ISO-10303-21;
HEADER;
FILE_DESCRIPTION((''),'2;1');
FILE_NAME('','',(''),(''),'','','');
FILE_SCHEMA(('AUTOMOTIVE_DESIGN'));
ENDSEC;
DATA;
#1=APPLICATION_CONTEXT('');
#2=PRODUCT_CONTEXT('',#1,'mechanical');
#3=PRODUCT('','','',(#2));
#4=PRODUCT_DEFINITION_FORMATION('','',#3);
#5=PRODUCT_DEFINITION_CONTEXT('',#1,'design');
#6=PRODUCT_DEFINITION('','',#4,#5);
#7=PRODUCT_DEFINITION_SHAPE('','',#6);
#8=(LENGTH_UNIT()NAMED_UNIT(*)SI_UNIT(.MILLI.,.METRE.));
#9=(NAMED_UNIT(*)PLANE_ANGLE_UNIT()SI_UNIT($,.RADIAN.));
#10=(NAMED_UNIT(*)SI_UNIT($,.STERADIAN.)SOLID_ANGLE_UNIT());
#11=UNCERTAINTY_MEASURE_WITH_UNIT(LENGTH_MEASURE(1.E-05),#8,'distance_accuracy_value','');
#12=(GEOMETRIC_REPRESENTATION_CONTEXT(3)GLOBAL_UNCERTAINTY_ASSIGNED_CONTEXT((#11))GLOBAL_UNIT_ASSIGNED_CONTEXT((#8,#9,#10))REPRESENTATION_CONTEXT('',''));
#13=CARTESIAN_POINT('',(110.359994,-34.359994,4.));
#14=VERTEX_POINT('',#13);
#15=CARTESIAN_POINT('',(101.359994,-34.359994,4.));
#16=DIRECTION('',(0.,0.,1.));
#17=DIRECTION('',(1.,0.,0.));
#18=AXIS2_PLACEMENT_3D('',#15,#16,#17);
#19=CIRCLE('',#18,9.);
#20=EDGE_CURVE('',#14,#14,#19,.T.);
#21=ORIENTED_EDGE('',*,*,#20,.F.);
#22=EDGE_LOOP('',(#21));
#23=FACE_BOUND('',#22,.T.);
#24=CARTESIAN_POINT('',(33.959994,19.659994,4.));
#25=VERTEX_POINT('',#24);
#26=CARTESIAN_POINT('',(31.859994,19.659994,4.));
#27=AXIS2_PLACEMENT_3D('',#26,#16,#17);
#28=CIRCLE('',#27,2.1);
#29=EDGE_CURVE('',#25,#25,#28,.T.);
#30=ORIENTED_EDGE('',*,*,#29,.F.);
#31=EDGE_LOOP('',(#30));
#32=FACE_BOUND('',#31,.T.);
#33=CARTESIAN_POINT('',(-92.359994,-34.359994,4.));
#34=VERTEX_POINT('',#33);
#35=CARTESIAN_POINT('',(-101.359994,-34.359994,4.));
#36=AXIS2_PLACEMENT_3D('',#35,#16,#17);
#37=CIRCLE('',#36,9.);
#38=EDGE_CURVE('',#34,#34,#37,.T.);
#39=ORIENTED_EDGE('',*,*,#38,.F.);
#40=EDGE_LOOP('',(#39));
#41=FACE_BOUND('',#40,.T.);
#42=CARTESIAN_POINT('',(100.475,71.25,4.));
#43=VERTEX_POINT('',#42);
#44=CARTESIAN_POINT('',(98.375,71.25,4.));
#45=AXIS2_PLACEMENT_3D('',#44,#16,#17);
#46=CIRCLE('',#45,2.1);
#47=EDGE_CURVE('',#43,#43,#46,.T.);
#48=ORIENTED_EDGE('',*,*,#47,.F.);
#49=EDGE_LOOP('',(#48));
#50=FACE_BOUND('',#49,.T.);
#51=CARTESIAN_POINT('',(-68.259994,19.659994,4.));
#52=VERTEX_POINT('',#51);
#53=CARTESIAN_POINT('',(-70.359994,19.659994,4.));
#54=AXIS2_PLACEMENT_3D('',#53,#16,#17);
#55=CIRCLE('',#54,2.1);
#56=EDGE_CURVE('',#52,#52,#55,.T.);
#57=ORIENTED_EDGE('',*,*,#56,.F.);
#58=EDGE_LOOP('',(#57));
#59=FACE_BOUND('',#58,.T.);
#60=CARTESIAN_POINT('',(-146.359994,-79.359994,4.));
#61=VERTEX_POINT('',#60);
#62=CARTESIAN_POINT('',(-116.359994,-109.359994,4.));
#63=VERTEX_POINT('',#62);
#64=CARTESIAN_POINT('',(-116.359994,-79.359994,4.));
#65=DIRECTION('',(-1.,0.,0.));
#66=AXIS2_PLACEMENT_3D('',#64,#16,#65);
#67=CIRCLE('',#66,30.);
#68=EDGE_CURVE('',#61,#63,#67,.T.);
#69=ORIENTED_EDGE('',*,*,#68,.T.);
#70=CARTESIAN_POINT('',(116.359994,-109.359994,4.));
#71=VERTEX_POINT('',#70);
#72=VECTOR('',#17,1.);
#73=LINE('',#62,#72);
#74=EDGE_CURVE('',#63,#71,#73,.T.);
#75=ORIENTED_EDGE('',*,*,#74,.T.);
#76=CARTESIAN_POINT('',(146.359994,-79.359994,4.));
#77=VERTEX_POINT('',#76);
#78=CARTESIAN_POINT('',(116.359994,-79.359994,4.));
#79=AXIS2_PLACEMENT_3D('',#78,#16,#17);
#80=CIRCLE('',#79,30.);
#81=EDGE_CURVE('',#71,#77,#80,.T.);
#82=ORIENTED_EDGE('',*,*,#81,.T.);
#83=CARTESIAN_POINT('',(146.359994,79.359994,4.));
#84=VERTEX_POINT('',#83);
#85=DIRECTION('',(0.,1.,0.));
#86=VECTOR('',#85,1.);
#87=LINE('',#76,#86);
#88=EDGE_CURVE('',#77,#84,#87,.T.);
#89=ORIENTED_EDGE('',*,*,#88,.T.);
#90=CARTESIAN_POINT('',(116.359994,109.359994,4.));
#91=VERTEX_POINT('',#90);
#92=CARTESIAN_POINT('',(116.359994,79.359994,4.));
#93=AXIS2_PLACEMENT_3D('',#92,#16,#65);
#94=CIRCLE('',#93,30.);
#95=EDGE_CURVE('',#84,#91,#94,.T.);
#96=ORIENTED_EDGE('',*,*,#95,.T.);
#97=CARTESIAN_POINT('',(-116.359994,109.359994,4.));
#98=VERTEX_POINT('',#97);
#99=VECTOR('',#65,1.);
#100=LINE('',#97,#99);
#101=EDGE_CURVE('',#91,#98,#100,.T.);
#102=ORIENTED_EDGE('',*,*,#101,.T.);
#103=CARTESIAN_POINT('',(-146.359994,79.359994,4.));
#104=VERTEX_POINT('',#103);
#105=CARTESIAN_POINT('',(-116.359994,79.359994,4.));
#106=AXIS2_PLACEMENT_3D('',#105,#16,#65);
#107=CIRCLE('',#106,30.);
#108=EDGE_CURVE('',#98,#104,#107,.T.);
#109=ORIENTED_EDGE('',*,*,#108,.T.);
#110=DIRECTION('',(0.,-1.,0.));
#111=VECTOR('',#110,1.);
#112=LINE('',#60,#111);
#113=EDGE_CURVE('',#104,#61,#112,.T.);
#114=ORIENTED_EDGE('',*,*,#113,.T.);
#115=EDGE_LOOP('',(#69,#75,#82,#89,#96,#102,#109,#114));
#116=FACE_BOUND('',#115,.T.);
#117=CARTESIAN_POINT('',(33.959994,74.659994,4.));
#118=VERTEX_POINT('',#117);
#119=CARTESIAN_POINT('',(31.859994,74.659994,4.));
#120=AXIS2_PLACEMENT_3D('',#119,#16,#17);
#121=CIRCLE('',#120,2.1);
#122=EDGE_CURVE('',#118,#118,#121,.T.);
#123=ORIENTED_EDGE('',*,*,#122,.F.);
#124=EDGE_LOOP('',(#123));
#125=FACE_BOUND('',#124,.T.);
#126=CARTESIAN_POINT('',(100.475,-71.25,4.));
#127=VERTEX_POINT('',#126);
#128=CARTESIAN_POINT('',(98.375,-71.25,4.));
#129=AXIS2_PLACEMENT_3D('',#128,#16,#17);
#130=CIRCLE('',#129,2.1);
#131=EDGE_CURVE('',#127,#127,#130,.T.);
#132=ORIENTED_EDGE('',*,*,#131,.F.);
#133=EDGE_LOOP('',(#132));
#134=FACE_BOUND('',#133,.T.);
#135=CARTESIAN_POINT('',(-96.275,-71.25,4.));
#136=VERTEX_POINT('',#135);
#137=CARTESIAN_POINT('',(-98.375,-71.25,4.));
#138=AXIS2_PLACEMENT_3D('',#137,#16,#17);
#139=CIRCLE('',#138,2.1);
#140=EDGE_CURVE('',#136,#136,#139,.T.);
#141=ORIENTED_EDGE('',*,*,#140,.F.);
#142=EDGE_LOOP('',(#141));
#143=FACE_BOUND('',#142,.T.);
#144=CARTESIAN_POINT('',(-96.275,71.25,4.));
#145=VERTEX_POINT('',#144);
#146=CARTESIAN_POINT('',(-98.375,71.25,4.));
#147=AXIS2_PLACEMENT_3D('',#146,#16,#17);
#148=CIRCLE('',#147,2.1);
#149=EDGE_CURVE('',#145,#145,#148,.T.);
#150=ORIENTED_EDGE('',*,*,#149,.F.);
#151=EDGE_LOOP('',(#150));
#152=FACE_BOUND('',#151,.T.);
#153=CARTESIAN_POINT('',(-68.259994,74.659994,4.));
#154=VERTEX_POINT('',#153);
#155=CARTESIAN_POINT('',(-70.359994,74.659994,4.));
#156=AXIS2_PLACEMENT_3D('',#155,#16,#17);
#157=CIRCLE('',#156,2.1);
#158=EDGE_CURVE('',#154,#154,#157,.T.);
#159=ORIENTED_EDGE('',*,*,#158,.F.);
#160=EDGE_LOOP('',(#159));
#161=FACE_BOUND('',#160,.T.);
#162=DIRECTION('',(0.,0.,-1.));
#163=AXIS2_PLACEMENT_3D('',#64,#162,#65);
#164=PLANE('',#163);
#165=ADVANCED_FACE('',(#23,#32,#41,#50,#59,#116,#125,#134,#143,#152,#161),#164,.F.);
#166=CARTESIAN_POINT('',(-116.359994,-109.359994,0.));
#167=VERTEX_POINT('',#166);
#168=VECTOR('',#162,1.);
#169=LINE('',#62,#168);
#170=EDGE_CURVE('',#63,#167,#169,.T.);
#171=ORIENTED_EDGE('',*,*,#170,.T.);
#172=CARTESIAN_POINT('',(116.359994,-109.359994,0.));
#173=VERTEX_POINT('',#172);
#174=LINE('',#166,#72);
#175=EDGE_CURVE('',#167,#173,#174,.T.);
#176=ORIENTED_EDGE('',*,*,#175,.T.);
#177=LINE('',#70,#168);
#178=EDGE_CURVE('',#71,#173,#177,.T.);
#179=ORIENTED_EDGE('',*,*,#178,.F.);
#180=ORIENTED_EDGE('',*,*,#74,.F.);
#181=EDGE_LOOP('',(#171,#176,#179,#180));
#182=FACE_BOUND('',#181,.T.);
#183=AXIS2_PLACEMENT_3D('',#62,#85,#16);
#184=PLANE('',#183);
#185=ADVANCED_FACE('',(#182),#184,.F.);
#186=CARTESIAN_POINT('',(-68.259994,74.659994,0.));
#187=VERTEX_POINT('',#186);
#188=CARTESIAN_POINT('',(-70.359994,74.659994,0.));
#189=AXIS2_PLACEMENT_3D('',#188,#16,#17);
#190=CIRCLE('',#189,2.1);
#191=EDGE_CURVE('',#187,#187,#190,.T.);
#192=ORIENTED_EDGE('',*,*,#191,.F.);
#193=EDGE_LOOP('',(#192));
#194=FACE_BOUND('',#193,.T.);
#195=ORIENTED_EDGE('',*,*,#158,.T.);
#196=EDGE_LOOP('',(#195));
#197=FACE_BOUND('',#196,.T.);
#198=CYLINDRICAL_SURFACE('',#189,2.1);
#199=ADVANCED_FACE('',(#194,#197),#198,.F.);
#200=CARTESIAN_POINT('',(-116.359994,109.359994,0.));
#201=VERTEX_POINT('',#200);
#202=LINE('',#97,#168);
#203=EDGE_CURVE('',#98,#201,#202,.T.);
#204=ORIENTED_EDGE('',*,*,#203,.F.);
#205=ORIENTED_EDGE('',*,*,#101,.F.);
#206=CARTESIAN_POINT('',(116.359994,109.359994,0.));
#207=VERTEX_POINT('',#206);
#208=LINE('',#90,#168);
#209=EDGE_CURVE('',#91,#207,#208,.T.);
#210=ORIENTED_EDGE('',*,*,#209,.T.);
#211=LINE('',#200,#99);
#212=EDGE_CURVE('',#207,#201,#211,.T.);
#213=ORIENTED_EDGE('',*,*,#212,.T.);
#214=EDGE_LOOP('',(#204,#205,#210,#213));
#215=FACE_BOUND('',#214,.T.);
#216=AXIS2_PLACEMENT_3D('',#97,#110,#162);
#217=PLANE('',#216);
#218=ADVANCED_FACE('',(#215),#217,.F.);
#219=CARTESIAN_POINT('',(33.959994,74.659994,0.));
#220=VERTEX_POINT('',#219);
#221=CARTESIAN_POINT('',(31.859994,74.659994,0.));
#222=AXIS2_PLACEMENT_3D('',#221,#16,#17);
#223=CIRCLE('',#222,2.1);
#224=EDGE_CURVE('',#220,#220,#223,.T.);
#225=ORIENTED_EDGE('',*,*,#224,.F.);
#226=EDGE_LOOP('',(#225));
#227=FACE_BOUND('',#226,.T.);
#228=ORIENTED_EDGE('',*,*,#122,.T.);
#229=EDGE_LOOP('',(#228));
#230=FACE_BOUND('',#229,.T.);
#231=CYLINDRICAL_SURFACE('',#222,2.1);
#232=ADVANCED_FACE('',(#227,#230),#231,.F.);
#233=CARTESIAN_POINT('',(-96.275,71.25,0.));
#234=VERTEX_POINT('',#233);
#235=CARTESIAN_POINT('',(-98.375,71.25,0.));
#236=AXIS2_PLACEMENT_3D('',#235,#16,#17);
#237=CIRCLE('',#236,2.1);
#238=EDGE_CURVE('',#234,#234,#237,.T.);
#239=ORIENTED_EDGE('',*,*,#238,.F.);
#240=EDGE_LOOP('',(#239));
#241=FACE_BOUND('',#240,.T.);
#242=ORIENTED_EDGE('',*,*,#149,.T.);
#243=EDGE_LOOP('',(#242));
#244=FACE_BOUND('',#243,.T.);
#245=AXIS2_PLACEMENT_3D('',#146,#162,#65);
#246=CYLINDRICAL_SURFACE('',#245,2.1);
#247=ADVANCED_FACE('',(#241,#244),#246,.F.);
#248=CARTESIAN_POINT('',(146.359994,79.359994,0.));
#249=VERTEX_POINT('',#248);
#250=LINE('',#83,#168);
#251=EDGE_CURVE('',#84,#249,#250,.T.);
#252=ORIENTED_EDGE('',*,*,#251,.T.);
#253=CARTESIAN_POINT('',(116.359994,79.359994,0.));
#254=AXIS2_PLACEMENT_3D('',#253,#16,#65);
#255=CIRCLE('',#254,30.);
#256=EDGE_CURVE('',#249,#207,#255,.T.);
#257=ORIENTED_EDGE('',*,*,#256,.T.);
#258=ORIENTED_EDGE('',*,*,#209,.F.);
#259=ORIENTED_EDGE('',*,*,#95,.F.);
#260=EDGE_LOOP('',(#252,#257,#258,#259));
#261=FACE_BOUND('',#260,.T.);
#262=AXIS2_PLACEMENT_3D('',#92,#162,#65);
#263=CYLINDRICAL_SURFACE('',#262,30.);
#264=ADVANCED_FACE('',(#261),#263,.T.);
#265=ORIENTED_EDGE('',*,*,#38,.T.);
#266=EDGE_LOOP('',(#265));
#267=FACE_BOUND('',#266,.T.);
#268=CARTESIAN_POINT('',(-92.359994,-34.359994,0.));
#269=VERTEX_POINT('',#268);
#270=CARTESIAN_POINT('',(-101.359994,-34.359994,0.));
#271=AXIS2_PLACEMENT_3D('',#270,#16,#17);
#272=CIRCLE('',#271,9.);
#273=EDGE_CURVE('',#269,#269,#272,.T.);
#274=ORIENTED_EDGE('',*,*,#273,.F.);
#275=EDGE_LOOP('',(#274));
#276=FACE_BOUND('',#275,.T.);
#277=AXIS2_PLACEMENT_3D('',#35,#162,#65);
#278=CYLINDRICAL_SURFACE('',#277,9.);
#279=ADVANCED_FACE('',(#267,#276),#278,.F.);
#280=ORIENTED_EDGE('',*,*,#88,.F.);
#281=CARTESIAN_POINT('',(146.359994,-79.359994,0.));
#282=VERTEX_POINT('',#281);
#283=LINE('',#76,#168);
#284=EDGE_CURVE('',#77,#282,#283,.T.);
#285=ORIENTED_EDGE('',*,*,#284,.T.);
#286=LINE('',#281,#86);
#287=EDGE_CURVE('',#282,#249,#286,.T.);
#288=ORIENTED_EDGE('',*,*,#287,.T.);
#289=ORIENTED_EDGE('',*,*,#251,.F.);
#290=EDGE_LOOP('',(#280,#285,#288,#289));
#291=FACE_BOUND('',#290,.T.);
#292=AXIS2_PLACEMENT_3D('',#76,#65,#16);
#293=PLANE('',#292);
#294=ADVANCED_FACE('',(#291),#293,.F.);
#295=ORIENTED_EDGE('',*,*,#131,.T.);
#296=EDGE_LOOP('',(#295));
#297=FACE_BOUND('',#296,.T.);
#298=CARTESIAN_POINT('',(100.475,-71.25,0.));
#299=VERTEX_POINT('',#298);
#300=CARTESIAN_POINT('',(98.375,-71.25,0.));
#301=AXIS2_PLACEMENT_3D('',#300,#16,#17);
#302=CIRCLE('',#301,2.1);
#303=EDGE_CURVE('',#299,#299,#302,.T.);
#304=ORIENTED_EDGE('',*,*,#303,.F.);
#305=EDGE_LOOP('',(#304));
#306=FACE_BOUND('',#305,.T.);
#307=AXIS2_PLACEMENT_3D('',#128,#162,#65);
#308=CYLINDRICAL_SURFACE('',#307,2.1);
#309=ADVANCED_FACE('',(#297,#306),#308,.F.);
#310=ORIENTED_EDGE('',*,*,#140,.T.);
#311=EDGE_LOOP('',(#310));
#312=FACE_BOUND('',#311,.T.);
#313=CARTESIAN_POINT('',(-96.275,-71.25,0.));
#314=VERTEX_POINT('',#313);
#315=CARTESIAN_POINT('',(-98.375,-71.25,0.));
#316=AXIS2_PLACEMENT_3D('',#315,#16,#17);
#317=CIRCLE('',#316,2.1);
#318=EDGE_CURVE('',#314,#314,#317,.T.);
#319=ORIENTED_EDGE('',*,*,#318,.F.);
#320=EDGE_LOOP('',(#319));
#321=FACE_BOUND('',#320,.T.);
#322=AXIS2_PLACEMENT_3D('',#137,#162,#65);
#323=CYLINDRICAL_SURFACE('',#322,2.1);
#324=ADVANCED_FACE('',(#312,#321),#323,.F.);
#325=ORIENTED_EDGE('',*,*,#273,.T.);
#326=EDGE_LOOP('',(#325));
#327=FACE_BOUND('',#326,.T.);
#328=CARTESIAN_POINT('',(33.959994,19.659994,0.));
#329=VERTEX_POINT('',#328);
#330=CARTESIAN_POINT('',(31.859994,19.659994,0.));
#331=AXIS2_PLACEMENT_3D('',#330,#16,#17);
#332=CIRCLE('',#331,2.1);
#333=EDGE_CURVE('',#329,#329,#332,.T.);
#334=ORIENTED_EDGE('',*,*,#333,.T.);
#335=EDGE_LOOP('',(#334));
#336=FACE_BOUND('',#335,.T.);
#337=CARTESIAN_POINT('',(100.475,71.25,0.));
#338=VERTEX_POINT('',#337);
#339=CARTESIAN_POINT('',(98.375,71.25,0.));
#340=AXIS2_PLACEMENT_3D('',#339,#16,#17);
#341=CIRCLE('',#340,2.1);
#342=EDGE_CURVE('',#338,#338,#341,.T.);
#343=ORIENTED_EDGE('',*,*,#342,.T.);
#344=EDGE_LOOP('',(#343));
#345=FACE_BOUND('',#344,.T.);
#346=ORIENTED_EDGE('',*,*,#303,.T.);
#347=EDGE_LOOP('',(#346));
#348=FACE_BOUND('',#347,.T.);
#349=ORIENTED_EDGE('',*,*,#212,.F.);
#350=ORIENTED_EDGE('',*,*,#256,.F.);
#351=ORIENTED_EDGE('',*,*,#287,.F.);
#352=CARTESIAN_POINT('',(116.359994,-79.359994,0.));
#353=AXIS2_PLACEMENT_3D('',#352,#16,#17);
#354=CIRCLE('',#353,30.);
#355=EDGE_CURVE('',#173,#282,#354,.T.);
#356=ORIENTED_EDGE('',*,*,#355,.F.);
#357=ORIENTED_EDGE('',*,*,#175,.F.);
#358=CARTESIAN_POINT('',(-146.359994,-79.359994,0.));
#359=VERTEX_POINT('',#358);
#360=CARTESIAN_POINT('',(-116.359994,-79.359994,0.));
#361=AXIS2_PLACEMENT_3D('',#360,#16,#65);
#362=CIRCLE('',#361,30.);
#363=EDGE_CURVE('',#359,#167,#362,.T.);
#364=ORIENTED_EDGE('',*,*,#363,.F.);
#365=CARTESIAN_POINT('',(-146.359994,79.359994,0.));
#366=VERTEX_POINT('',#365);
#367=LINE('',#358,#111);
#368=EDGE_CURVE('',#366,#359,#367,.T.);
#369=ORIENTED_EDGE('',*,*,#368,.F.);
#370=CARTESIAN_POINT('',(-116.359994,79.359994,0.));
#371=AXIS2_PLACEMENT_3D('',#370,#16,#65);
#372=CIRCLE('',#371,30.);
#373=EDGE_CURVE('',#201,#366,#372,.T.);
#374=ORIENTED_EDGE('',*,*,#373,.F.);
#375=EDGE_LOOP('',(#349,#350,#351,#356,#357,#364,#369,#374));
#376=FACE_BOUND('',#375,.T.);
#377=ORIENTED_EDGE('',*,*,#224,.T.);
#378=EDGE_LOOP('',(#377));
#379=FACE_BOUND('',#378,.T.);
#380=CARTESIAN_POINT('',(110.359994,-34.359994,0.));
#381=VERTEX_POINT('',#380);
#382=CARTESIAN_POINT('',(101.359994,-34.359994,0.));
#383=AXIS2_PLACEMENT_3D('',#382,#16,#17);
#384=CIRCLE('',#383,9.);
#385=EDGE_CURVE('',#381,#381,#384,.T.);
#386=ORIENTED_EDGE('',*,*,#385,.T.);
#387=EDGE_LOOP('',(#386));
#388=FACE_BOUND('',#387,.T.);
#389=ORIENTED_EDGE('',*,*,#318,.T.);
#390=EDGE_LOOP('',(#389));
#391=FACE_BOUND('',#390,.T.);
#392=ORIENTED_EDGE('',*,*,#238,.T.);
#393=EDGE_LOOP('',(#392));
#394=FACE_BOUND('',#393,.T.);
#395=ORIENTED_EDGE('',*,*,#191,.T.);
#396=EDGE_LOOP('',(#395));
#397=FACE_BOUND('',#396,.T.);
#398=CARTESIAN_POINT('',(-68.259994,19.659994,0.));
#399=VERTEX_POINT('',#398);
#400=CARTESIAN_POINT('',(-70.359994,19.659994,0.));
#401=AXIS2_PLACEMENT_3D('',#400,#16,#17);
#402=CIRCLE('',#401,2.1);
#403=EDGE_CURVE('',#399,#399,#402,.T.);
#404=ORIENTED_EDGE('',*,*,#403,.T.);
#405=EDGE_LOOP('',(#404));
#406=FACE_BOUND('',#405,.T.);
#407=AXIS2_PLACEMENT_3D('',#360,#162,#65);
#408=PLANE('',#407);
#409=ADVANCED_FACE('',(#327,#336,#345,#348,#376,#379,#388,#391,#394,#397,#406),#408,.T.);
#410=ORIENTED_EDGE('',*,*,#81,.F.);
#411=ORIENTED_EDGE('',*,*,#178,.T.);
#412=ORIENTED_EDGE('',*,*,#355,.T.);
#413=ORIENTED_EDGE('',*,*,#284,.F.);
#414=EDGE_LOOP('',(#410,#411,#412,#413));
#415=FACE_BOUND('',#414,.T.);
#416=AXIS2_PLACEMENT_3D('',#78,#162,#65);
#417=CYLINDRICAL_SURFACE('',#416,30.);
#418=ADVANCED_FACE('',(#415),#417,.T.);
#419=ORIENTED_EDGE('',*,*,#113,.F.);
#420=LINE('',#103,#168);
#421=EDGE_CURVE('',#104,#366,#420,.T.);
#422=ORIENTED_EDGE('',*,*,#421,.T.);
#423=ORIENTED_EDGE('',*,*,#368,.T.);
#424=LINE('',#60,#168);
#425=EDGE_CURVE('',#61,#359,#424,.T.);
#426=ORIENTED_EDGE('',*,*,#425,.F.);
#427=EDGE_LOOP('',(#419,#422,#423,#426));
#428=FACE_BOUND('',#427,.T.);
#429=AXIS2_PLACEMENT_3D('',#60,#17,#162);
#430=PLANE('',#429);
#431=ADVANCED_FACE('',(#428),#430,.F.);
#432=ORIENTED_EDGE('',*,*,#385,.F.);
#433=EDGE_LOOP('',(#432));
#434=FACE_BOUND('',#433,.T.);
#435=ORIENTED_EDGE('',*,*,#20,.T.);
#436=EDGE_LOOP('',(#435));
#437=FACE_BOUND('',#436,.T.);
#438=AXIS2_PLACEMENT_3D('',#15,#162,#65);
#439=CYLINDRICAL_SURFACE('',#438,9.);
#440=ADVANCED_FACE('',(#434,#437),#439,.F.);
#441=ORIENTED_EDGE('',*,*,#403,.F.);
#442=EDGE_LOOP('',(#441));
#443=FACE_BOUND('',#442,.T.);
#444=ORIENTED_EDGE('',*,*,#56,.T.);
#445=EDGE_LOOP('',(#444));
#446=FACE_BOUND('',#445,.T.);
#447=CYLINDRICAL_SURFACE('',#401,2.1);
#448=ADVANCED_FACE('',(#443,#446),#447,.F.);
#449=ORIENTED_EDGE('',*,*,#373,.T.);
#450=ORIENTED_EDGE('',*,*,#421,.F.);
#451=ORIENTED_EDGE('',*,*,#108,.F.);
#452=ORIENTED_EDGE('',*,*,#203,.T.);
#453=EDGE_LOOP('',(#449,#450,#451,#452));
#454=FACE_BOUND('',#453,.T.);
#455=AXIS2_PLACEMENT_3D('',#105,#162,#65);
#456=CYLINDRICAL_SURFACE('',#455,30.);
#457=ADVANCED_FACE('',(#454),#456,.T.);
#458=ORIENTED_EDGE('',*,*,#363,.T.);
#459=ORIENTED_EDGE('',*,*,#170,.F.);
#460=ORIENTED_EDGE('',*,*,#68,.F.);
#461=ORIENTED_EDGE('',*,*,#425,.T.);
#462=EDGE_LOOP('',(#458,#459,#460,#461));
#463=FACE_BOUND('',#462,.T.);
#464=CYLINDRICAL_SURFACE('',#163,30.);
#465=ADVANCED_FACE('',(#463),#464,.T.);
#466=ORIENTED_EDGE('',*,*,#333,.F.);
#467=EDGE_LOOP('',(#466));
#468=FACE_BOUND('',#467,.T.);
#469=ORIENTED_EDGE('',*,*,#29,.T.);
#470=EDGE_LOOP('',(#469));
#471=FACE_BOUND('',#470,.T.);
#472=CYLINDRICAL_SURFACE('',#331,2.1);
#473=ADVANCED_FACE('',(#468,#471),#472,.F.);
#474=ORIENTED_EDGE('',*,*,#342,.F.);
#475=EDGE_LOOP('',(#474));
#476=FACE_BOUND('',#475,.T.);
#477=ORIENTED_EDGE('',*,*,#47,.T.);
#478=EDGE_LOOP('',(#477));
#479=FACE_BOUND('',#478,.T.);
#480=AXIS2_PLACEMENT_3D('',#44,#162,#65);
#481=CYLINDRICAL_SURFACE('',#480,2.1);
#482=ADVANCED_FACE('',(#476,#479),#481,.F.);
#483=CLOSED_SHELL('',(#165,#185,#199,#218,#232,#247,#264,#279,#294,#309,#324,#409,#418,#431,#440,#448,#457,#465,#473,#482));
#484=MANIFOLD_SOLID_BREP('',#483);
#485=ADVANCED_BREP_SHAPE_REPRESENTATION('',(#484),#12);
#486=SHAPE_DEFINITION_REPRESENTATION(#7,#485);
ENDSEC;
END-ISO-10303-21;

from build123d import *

# Parameters (mm, degrees)
SKETCH1_R           = 9
SKETCH1_R_2         = 2.1
BOSS_EXTRUDE1_DEPTH = 4
SKETCH2_R           = 2.1
CUT_EXTRUDE1_DEPTH  = 183.748067126


with BuildPart() as part:
    # Sketch1 → Boss-Extrude1 (new body)
    with BuildSketch(Plane.XY):
        with BuildLine():
            Line((-116.359993818, -109.359993818), (116.359993818, -109.359993818))
            ThreePointArc((116.359993818, -109.359993818), (137.573197254, -100.573197254), (146.359993818, -79.359993818))
            Line((146.359993818, -79.359993818), (146.359993818, 79.359993818))
            ThreePointArc((146.359993818, 79.359993818), (137.573197254, 100.573197254), (116.359993818, 109.359993818))
            Line((116.359993818, 109.359993818), (-116.359993818, 109.359993818))
            ThreePointArc((-116.359993818, 109.359993818), (-137.573197254, 100.573197254), (-146.359993818, 79.359993818))
            Line((-146.359993818, 79.359993818), (-146.359993818, -79.359993818))
            ThreePointArc((-146.359993818, -79.359993818), (-137.573197254, -100.573197254), (-116.359993818, -109.359993818))
        make_face()
        with Locations((-101.359993818, -34.359993818)):
            Circle(SKETCH1_R, mode=Mode.SUBTRACT)
        with Locations((101.359993818, -34.359993818)):
            Circle(SKETCH1_R, mode=Mode.SUBTRACT)
        with Locations((-98.375, 71.25)):
            Circle(SKETCH1_R_2, mode=Mode.SUBTRACT)
        with Locations((98.375, 71.25)):
            Circle(SKETCH1_R_2, mode=Mode.SUBTRACT)
        with Locations((98.375, -71.25)):
            Circle(SKETCH1_R_2, mode=Mode.SUBTRACT)
        with Locations((-98.375, -71.25)):
            Circle(SKETCH1_R_2, mode=Mode.SUBTRACT)
    extrude(amount=BOSS_EXTRUDE1_DEPTH)

    # Sketch2 → Cut-Extrude1 (cut, through all)
    with BuildSketch(Plane.XY.offset(4)):
        with Locations((-70.359993818, 74.659993818)):
            Circle(SKETCH2_R)
        with Locations((-70.359993818, 19.659993818)):
            Circle(SKETCH2_R)
        with Locations((31.859993818, 74.659993818)):
            Circle(SKETCH2_R)
        with Locations((31.859993818, 19.659993818)):
            Circle(SKETCH2_R)
    extrude(amount=-CUT_EXTRUDE1_DEPTH, mode=Mode.SUBTRACT)


solid = part.part
